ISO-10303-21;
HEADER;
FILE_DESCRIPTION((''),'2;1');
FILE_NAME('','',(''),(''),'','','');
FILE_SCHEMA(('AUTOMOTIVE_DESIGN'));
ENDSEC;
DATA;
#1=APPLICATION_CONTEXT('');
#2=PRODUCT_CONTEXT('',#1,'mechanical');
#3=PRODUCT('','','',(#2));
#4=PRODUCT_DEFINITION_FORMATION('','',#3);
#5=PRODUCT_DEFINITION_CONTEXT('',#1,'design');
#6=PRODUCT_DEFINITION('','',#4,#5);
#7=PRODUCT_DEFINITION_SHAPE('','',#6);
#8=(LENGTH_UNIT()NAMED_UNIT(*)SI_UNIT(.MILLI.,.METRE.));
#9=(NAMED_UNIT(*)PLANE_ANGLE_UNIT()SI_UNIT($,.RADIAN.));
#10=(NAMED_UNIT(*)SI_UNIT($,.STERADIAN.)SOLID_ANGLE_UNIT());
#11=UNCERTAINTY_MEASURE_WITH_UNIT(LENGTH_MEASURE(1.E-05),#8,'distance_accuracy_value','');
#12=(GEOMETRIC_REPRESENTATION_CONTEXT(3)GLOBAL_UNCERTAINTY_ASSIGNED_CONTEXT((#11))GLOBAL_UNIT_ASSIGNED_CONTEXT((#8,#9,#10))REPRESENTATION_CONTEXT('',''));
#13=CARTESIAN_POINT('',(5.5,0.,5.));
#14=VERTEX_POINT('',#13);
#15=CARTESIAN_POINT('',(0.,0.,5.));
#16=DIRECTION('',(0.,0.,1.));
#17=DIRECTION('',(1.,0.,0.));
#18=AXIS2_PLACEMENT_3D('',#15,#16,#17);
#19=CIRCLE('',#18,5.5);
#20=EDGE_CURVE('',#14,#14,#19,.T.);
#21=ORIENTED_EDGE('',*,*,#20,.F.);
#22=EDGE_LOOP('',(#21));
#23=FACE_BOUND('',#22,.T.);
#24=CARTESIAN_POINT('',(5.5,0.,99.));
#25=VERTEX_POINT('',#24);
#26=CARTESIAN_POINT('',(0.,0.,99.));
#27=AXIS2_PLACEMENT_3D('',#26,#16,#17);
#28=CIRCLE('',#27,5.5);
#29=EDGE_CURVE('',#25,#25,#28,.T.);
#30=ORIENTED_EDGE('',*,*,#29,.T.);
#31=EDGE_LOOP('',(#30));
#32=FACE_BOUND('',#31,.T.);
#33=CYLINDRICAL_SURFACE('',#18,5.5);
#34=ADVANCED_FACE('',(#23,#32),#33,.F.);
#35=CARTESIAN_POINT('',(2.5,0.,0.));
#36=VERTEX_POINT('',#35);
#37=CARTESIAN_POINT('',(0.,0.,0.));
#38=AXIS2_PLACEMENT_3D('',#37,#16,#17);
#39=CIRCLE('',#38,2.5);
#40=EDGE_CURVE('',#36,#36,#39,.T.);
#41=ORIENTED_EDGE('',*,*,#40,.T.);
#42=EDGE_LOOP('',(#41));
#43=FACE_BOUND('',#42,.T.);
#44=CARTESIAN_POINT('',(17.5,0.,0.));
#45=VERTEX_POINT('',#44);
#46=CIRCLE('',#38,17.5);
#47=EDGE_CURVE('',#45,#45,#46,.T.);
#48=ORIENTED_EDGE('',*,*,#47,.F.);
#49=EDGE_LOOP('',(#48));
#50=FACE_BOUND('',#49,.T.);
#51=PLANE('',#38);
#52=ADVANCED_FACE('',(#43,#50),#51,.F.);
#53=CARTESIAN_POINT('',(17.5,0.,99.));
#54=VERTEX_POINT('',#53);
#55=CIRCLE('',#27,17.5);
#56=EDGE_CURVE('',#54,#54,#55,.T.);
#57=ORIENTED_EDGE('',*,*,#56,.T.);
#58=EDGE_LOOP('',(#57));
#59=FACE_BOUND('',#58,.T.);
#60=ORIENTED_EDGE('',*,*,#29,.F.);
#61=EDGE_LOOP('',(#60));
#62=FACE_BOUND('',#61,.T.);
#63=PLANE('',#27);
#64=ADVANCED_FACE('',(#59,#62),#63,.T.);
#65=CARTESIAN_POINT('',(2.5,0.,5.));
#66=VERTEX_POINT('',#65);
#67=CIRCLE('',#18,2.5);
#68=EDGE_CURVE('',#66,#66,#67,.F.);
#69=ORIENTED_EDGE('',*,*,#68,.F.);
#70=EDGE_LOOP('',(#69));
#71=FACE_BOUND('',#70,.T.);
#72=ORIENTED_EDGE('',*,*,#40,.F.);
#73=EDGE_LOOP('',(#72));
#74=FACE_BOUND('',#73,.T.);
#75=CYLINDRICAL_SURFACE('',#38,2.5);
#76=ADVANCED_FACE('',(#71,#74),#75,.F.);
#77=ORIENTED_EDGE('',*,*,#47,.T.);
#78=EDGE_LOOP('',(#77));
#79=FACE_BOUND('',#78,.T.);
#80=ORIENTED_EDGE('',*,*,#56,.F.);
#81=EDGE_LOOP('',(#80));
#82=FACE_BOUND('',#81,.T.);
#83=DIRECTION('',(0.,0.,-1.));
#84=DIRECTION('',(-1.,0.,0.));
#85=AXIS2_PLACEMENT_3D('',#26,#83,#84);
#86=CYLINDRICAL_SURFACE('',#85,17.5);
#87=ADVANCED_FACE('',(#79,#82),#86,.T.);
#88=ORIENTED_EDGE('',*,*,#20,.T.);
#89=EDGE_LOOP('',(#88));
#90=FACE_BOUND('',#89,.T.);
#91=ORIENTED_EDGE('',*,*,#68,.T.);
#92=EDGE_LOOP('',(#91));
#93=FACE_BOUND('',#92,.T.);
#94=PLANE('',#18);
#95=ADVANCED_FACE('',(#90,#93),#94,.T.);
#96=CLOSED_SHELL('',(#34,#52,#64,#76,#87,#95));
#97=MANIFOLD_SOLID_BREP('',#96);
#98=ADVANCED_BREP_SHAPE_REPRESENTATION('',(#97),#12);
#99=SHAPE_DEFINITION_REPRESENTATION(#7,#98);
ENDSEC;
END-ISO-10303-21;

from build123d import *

# Parameters (mm, degrees)
SKETCH1_R           = 17.5
BOSS_EXTRUDE1_DEPTH = 99
SKETCH2_R           = 2.5
CUT_EXTRUDE1_DEPTH  = 103.046558002
SKETCH3_R           = 5.5
CUT_EXTRUDE2_DEPTH  = 94


with BuildPart() as part:
    # Sketch1 → Boss-Extrude1 (new body)
    with BuildSketch(Plane.XY):
        Circle(SKETCH1_R)
    extrude(amount=BOSS_EXTRUDE1_DEPTH)

    # Sketch2 → Cut-Extrude1 (cut, through all)
    with BuildSketch(Plane.XY.offset(99)):
        Circle(SKETCH2_R)
    extrude(amount=-CUT_EXTRUDE1_DEPTH, mode=Mode.SUBTRACT)

    # Sketch3 → Cut-Extrude2 (cut)
    with BuildSketch(Plane.XY.offset(99)):
        Circle(SKETCH3_R)
    extrude(amount=-CUT_EXTRUDE2_DEPTH, mode=Mode.SUBTRACT)


solid = part.part
